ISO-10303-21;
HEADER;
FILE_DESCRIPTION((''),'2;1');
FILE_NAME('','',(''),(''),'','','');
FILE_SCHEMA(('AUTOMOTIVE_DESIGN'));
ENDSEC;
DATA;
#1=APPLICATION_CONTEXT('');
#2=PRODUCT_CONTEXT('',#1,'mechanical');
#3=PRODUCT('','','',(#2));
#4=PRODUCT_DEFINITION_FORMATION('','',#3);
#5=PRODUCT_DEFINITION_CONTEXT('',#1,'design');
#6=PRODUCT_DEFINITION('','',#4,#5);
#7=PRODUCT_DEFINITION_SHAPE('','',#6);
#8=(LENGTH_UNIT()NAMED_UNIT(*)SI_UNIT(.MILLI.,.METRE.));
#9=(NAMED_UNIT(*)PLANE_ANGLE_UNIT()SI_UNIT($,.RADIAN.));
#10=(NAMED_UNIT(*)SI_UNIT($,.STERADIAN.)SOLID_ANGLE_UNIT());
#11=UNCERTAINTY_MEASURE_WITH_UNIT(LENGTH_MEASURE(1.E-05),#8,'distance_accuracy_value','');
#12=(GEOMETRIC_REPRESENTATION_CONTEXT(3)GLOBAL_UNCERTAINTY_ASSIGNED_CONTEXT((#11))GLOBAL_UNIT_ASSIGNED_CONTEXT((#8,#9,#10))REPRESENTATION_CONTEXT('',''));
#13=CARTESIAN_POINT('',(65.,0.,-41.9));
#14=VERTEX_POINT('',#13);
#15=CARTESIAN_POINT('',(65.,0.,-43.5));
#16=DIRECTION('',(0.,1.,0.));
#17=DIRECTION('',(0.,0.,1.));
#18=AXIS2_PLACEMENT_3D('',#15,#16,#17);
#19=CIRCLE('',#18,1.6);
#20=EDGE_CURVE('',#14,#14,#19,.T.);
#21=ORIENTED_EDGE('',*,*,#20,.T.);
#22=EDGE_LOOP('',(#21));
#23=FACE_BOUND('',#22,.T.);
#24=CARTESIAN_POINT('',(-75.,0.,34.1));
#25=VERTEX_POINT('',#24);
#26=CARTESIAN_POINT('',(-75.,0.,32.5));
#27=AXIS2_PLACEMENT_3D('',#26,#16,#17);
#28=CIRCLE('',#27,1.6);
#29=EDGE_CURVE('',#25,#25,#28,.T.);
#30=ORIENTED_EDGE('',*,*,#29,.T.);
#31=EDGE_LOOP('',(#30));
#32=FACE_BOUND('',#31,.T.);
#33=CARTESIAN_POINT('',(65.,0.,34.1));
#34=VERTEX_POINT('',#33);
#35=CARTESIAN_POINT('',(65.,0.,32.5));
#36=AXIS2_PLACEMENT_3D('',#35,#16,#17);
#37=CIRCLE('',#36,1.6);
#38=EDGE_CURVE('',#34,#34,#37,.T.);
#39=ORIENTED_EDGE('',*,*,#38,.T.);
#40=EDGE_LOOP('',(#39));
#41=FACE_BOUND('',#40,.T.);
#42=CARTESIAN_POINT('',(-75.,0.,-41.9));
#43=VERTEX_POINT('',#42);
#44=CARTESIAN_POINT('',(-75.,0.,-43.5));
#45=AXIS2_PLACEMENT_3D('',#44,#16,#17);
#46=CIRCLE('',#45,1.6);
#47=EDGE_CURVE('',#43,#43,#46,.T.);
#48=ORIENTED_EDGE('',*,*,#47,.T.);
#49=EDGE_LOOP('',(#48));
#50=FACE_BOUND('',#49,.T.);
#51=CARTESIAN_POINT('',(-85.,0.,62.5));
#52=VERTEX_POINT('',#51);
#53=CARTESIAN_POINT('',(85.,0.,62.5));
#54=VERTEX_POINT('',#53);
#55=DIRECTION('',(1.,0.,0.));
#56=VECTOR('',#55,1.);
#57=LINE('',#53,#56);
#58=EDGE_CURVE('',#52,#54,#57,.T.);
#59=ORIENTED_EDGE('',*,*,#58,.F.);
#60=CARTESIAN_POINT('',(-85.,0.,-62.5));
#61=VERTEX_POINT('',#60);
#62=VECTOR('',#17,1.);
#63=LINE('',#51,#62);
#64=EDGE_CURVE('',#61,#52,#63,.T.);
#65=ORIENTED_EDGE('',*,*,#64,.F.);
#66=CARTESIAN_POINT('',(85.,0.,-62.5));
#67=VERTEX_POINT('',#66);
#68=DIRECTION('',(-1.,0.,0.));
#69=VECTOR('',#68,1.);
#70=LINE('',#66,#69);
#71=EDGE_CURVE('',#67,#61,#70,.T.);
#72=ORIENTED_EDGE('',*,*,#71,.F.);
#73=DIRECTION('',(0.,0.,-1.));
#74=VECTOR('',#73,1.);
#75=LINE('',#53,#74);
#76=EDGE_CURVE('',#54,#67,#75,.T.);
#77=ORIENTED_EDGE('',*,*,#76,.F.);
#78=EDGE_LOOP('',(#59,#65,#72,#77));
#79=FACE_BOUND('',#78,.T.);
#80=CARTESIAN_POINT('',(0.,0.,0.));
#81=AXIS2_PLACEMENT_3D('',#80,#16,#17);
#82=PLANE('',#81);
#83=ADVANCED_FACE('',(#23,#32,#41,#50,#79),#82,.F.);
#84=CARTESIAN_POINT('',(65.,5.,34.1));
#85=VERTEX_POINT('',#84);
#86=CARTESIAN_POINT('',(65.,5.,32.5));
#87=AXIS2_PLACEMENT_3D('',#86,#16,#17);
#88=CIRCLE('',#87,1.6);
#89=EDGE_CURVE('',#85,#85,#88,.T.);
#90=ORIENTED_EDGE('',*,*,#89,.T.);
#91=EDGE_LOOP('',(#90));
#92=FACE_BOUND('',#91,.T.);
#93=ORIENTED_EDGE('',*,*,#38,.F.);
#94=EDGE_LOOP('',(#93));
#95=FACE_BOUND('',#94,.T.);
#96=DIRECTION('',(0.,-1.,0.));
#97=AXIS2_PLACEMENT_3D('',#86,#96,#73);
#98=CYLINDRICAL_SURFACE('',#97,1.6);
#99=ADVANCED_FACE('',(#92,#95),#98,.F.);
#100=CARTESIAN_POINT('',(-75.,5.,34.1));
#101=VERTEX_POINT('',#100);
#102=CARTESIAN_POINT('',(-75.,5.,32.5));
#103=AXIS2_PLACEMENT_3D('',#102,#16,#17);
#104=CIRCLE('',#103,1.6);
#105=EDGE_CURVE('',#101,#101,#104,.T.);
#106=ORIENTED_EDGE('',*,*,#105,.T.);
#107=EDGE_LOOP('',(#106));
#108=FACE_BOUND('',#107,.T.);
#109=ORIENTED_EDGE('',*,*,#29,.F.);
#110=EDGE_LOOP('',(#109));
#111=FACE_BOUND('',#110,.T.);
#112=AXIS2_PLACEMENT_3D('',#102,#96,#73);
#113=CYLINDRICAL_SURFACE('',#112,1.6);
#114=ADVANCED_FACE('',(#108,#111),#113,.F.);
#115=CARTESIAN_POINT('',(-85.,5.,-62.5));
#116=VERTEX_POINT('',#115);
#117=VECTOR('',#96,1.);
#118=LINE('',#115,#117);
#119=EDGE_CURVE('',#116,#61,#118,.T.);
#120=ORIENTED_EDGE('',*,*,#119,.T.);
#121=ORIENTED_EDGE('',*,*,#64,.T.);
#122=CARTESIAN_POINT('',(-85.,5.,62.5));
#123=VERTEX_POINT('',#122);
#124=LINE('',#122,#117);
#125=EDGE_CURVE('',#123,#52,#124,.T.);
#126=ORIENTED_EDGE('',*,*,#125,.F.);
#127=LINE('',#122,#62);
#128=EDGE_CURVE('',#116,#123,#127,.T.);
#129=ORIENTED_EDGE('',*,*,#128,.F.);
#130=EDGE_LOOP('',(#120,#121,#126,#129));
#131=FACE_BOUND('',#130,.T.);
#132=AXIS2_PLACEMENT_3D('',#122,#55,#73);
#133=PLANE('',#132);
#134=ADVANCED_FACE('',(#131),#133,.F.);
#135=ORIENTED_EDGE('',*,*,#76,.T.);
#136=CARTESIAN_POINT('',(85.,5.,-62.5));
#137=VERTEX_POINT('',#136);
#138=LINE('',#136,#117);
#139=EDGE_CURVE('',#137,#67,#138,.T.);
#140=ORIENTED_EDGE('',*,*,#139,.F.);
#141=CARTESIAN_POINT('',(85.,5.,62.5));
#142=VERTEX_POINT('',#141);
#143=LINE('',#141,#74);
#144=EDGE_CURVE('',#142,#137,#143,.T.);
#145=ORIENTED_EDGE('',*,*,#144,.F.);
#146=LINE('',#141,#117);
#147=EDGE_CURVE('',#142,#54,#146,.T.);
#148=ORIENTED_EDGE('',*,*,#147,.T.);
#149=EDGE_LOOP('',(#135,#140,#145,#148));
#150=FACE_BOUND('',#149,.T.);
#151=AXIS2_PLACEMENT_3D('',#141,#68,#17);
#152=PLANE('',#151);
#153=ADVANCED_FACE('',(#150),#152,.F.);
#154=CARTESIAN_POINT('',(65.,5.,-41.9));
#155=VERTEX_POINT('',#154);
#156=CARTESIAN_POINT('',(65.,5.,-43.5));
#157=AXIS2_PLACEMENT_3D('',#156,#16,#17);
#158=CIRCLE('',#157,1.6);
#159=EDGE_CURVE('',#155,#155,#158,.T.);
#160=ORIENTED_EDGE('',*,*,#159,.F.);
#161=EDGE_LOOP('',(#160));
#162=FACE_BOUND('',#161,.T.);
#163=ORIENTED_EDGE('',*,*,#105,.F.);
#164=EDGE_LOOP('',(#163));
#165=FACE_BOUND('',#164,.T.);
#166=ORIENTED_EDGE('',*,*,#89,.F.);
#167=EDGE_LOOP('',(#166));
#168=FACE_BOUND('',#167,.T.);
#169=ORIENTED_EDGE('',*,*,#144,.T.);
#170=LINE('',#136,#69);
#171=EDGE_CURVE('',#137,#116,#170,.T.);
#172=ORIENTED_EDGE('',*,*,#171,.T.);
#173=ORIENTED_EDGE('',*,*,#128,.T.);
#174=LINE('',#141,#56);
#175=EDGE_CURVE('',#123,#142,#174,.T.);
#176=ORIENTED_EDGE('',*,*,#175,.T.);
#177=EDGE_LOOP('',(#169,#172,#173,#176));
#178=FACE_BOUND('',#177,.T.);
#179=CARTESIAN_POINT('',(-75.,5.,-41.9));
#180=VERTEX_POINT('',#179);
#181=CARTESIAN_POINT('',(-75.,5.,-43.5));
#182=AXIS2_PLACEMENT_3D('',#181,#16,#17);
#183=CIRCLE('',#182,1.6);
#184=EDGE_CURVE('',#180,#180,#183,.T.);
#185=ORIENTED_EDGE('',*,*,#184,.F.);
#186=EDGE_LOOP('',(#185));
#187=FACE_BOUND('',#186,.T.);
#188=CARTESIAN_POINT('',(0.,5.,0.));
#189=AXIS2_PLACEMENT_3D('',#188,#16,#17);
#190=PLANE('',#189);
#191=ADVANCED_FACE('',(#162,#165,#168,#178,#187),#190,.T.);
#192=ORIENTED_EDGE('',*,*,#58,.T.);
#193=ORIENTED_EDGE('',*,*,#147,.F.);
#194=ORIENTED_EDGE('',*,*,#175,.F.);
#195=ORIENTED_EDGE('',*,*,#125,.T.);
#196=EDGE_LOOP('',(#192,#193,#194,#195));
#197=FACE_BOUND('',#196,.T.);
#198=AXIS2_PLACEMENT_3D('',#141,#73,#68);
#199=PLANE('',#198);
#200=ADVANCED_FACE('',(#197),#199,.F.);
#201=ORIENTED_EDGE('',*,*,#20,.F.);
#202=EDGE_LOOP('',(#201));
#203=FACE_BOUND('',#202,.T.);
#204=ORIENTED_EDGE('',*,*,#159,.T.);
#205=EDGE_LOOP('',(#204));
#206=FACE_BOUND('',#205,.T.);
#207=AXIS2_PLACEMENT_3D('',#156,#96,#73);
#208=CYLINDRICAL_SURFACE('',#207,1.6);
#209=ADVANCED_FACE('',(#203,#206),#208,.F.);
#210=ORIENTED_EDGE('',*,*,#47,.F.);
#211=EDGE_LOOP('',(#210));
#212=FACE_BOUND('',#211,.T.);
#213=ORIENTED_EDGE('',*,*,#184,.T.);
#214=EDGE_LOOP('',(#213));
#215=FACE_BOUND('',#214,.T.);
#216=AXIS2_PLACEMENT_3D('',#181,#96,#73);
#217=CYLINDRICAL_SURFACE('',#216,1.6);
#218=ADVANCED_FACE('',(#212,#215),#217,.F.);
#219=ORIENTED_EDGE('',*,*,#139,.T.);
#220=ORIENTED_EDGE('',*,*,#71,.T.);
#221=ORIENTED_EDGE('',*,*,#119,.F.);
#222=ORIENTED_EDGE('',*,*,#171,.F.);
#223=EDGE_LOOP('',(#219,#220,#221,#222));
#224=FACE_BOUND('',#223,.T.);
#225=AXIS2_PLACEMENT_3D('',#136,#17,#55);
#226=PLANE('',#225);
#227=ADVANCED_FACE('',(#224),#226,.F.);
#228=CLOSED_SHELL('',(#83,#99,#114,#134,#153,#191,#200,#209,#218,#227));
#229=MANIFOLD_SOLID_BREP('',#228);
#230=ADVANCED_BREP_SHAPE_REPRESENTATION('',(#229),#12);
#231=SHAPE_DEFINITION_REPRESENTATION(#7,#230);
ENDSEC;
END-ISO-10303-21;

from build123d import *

# Parameters (mm, degrees)
SKETCH1_W           = 170
SKETCH1_H           = 125
SKETCH1_R           = 1.6
BOSS_EXTRUDE1_DEPTH = 5


with BuildPart() as part:
    # Sketch1 → Boss-Extrude1 (new body)
    with BuildSketch(Plane(origin=(0, 0, 0), x_dir=(1, 0, 0), z_dir=(0, 1, 0))):
        Rectangle(SKETCH1_W, SKETCH1_H)
        with Locations((-75, 43.5)):
            Circle(SKETCH1_R, mode=Mode.SUBTRACT)
        with Locations((-75, -32.5)):
            Circle(SKETCH1_R, mode=Mode.SUBTRACT)
        with Locations((65, -32.5)):
            Circle(SKETCH1_R, mode=Mode.SUBTRACT)
        with Locations((65, 43.5)):
            Circle(SKETCH1_R, mode=Mode.SUBTRACT)
    extrude(amount=BOSS_EXTRUDE1_DEPTH)


solid = part.part
